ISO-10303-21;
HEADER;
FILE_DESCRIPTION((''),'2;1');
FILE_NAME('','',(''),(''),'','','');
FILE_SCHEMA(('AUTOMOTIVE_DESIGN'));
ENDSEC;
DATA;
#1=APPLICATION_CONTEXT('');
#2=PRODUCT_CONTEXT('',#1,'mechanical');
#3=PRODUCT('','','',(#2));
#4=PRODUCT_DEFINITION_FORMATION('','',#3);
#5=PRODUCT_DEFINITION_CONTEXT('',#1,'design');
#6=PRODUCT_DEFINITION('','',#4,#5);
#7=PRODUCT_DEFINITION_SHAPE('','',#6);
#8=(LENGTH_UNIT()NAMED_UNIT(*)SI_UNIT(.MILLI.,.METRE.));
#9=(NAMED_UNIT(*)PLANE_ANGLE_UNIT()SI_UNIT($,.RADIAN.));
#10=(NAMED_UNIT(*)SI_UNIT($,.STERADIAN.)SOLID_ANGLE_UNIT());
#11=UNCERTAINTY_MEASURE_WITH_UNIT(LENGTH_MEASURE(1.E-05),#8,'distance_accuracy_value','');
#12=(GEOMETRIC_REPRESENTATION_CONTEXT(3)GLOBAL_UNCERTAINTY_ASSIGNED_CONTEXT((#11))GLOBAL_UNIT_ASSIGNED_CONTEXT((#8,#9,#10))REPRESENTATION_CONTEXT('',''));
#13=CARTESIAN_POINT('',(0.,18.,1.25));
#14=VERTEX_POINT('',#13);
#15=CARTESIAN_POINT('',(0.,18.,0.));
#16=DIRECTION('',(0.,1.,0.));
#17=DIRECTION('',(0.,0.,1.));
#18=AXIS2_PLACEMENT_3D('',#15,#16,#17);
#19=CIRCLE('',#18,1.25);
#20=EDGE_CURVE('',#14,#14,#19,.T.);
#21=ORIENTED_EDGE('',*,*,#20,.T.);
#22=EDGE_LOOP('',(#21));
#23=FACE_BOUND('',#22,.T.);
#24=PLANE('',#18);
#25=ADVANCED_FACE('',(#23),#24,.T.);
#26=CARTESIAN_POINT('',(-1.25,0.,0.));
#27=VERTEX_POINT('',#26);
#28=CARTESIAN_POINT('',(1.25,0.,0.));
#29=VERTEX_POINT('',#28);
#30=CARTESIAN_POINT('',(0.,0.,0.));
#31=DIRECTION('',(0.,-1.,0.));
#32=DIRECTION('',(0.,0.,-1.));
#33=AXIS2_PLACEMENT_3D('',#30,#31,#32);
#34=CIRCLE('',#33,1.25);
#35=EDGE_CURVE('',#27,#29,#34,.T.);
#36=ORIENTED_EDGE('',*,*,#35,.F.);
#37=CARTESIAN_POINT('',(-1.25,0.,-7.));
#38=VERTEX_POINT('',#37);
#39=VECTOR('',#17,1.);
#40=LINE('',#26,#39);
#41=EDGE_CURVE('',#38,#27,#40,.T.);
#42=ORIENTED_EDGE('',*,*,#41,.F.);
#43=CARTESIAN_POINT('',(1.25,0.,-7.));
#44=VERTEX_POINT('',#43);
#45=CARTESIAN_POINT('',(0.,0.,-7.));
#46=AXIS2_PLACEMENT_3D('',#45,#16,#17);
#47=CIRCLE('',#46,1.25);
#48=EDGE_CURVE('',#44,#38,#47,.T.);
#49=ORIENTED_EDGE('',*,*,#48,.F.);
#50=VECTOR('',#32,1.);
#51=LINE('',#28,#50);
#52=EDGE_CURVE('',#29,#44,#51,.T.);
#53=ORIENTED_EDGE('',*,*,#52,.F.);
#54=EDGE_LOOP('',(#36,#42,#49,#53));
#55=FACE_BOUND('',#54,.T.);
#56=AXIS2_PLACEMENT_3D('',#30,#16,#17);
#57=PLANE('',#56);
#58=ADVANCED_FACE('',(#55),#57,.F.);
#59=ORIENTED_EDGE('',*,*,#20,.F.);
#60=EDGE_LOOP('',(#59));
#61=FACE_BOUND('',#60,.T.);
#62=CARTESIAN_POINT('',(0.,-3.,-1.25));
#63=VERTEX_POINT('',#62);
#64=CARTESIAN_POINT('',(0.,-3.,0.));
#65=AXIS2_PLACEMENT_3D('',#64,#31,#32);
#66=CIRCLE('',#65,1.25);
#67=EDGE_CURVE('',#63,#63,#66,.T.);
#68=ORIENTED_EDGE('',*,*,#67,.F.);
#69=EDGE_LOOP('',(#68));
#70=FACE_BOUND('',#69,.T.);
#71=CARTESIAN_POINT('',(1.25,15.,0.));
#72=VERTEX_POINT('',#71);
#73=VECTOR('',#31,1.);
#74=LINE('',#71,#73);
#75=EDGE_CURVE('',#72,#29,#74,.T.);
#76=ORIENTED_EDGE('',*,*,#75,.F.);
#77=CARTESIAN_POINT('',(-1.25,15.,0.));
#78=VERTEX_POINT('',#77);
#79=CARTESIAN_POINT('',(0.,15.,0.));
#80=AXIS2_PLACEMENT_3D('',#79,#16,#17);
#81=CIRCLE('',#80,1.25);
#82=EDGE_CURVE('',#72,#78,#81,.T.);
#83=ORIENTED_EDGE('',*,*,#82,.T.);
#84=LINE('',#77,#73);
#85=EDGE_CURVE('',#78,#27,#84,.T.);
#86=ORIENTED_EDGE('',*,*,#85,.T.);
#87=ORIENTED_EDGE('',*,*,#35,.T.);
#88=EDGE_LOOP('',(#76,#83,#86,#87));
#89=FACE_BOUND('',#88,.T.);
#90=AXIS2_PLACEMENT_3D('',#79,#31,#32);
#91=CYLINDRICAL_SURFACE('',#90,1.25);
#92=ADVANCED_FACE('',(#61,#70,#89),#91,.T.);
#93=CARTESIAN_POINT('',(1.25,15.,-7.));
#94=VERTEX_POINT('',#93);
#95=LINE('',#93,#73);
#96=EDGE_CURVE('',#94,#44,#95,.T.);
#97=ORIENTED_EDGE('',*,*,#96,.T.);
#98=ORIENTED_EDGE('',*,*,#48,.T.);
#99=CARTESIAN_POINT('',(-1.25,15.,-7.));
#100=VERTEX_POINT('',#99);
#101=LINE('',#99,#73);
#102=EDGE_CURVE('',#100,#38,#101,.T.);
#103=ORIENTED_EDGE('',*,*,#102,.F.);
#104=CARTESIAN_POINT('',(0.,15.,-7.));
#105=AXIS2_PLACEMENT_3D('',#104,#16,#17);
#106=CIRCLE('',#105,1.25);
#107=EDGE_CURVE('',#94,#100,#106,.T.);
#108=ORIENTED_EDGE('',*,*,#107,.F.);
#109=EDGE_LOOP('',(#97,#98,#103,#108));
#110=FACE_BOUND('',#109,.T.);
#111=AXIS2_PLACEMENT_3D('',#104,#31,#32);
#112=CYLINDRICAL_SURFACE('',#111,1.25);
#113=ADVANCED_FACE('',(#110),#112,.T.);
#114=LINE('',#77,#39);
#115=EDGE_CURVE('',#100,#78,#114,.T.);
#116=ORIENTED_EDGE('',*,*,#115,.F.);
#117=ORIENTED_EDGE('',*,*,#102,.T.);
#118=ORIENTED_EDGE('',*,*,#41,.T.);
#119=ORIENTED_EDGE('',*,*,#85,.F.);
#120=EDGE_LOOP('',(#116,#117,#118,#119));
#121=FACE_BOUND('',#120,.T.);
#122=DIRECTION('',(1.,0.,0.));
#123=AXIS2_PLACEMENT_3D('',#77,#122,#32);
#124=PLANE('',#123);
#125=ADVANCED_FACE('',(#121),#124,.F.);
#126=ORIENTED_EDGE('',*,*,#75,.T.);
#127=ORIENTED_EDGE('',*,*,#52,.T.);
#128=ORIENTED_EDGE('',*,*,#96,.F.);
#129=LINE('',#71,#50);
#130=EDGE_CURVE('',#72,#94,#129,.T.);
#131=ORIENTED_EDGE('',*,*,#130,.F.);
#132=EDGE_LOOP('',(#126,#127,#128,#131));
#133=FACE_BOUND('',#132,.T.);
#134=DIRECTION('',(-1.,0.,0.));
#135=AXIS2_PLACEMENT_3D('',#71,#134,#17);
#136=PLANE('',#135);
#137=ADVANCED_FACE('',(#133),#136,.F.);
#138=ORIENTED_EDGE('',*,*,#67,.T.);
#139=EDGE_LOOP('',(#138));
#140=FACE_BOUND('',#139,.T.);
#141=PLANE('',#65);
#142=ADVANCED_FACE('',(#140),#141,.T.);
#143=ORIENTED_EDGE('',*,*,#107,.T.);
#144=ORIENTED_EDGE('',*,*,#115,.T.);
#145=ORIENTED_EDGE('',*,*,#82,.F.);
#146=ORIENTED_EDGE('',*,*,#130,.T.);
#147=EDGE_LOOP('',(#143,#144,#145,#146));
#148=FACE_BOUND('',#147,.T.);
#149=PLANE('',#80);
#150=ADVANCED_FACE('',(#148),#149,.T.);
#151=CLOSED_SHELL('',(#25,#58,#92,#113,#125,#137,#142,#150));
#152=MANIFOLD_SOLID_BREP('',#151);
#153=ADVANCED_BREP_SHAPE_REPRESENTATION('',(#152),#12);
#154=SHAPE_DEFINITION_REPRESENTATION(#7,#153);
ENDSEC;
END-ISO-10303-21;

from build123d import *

# Parameters (mm, degrees)
EXTRUDE_1_DEPTH = 15
SKETCH_2_R      = 1.25
EXTRUDE_2_DEPTH = 3
EXTRUDE_START   = 3
SKETCH_3_R      = 1.25
EXTRUDE_3_DEPTH = 3


with BuildPart() as part:
    # 草图1 → 凸台-拉伸1 (new body)
    with BuildSketch(Plane(origin=(0, 0, 0), x_dir=(1, 0, 0), z_dir=(0, 1, 0))):
        with BuildLine():
            Line((-1.25, 0), (-1.25, 7))
            ThreePointArc((-1.25, 7), (0, 8.25), (1.25, 7))
            Line((1.25, 7), (1.25, 0))
            ThreePointArc((1.25, 0), (0, -1.25), (-1.25, 0))
        make_face()
    extrude(amount=EXTRUDE_1_DEPTH)

    # 草图2 → 凸台-拉伸2 (add)
    with BuildSketch(Plane(origin=(0, 15, 0), x_dir=(1, 0, 0), z_dir=(0, 1, 0))):
        Circle(SKETCH_2_R)
    extrude(amount=EXTRUDE_2_DEPTH)

    # 草图3 → 凸台-拉伸3 (add)
    with BuildSketch(Plane.XZ.offset(EXTRUDE_START)):
        with Locations(Location((0, 0, 0), (0, 0, 270))):
            Circle(SKETCH_3_R)
    extrude(amount=-EXTRUDE_3_DEPTH)


solid = part.part
